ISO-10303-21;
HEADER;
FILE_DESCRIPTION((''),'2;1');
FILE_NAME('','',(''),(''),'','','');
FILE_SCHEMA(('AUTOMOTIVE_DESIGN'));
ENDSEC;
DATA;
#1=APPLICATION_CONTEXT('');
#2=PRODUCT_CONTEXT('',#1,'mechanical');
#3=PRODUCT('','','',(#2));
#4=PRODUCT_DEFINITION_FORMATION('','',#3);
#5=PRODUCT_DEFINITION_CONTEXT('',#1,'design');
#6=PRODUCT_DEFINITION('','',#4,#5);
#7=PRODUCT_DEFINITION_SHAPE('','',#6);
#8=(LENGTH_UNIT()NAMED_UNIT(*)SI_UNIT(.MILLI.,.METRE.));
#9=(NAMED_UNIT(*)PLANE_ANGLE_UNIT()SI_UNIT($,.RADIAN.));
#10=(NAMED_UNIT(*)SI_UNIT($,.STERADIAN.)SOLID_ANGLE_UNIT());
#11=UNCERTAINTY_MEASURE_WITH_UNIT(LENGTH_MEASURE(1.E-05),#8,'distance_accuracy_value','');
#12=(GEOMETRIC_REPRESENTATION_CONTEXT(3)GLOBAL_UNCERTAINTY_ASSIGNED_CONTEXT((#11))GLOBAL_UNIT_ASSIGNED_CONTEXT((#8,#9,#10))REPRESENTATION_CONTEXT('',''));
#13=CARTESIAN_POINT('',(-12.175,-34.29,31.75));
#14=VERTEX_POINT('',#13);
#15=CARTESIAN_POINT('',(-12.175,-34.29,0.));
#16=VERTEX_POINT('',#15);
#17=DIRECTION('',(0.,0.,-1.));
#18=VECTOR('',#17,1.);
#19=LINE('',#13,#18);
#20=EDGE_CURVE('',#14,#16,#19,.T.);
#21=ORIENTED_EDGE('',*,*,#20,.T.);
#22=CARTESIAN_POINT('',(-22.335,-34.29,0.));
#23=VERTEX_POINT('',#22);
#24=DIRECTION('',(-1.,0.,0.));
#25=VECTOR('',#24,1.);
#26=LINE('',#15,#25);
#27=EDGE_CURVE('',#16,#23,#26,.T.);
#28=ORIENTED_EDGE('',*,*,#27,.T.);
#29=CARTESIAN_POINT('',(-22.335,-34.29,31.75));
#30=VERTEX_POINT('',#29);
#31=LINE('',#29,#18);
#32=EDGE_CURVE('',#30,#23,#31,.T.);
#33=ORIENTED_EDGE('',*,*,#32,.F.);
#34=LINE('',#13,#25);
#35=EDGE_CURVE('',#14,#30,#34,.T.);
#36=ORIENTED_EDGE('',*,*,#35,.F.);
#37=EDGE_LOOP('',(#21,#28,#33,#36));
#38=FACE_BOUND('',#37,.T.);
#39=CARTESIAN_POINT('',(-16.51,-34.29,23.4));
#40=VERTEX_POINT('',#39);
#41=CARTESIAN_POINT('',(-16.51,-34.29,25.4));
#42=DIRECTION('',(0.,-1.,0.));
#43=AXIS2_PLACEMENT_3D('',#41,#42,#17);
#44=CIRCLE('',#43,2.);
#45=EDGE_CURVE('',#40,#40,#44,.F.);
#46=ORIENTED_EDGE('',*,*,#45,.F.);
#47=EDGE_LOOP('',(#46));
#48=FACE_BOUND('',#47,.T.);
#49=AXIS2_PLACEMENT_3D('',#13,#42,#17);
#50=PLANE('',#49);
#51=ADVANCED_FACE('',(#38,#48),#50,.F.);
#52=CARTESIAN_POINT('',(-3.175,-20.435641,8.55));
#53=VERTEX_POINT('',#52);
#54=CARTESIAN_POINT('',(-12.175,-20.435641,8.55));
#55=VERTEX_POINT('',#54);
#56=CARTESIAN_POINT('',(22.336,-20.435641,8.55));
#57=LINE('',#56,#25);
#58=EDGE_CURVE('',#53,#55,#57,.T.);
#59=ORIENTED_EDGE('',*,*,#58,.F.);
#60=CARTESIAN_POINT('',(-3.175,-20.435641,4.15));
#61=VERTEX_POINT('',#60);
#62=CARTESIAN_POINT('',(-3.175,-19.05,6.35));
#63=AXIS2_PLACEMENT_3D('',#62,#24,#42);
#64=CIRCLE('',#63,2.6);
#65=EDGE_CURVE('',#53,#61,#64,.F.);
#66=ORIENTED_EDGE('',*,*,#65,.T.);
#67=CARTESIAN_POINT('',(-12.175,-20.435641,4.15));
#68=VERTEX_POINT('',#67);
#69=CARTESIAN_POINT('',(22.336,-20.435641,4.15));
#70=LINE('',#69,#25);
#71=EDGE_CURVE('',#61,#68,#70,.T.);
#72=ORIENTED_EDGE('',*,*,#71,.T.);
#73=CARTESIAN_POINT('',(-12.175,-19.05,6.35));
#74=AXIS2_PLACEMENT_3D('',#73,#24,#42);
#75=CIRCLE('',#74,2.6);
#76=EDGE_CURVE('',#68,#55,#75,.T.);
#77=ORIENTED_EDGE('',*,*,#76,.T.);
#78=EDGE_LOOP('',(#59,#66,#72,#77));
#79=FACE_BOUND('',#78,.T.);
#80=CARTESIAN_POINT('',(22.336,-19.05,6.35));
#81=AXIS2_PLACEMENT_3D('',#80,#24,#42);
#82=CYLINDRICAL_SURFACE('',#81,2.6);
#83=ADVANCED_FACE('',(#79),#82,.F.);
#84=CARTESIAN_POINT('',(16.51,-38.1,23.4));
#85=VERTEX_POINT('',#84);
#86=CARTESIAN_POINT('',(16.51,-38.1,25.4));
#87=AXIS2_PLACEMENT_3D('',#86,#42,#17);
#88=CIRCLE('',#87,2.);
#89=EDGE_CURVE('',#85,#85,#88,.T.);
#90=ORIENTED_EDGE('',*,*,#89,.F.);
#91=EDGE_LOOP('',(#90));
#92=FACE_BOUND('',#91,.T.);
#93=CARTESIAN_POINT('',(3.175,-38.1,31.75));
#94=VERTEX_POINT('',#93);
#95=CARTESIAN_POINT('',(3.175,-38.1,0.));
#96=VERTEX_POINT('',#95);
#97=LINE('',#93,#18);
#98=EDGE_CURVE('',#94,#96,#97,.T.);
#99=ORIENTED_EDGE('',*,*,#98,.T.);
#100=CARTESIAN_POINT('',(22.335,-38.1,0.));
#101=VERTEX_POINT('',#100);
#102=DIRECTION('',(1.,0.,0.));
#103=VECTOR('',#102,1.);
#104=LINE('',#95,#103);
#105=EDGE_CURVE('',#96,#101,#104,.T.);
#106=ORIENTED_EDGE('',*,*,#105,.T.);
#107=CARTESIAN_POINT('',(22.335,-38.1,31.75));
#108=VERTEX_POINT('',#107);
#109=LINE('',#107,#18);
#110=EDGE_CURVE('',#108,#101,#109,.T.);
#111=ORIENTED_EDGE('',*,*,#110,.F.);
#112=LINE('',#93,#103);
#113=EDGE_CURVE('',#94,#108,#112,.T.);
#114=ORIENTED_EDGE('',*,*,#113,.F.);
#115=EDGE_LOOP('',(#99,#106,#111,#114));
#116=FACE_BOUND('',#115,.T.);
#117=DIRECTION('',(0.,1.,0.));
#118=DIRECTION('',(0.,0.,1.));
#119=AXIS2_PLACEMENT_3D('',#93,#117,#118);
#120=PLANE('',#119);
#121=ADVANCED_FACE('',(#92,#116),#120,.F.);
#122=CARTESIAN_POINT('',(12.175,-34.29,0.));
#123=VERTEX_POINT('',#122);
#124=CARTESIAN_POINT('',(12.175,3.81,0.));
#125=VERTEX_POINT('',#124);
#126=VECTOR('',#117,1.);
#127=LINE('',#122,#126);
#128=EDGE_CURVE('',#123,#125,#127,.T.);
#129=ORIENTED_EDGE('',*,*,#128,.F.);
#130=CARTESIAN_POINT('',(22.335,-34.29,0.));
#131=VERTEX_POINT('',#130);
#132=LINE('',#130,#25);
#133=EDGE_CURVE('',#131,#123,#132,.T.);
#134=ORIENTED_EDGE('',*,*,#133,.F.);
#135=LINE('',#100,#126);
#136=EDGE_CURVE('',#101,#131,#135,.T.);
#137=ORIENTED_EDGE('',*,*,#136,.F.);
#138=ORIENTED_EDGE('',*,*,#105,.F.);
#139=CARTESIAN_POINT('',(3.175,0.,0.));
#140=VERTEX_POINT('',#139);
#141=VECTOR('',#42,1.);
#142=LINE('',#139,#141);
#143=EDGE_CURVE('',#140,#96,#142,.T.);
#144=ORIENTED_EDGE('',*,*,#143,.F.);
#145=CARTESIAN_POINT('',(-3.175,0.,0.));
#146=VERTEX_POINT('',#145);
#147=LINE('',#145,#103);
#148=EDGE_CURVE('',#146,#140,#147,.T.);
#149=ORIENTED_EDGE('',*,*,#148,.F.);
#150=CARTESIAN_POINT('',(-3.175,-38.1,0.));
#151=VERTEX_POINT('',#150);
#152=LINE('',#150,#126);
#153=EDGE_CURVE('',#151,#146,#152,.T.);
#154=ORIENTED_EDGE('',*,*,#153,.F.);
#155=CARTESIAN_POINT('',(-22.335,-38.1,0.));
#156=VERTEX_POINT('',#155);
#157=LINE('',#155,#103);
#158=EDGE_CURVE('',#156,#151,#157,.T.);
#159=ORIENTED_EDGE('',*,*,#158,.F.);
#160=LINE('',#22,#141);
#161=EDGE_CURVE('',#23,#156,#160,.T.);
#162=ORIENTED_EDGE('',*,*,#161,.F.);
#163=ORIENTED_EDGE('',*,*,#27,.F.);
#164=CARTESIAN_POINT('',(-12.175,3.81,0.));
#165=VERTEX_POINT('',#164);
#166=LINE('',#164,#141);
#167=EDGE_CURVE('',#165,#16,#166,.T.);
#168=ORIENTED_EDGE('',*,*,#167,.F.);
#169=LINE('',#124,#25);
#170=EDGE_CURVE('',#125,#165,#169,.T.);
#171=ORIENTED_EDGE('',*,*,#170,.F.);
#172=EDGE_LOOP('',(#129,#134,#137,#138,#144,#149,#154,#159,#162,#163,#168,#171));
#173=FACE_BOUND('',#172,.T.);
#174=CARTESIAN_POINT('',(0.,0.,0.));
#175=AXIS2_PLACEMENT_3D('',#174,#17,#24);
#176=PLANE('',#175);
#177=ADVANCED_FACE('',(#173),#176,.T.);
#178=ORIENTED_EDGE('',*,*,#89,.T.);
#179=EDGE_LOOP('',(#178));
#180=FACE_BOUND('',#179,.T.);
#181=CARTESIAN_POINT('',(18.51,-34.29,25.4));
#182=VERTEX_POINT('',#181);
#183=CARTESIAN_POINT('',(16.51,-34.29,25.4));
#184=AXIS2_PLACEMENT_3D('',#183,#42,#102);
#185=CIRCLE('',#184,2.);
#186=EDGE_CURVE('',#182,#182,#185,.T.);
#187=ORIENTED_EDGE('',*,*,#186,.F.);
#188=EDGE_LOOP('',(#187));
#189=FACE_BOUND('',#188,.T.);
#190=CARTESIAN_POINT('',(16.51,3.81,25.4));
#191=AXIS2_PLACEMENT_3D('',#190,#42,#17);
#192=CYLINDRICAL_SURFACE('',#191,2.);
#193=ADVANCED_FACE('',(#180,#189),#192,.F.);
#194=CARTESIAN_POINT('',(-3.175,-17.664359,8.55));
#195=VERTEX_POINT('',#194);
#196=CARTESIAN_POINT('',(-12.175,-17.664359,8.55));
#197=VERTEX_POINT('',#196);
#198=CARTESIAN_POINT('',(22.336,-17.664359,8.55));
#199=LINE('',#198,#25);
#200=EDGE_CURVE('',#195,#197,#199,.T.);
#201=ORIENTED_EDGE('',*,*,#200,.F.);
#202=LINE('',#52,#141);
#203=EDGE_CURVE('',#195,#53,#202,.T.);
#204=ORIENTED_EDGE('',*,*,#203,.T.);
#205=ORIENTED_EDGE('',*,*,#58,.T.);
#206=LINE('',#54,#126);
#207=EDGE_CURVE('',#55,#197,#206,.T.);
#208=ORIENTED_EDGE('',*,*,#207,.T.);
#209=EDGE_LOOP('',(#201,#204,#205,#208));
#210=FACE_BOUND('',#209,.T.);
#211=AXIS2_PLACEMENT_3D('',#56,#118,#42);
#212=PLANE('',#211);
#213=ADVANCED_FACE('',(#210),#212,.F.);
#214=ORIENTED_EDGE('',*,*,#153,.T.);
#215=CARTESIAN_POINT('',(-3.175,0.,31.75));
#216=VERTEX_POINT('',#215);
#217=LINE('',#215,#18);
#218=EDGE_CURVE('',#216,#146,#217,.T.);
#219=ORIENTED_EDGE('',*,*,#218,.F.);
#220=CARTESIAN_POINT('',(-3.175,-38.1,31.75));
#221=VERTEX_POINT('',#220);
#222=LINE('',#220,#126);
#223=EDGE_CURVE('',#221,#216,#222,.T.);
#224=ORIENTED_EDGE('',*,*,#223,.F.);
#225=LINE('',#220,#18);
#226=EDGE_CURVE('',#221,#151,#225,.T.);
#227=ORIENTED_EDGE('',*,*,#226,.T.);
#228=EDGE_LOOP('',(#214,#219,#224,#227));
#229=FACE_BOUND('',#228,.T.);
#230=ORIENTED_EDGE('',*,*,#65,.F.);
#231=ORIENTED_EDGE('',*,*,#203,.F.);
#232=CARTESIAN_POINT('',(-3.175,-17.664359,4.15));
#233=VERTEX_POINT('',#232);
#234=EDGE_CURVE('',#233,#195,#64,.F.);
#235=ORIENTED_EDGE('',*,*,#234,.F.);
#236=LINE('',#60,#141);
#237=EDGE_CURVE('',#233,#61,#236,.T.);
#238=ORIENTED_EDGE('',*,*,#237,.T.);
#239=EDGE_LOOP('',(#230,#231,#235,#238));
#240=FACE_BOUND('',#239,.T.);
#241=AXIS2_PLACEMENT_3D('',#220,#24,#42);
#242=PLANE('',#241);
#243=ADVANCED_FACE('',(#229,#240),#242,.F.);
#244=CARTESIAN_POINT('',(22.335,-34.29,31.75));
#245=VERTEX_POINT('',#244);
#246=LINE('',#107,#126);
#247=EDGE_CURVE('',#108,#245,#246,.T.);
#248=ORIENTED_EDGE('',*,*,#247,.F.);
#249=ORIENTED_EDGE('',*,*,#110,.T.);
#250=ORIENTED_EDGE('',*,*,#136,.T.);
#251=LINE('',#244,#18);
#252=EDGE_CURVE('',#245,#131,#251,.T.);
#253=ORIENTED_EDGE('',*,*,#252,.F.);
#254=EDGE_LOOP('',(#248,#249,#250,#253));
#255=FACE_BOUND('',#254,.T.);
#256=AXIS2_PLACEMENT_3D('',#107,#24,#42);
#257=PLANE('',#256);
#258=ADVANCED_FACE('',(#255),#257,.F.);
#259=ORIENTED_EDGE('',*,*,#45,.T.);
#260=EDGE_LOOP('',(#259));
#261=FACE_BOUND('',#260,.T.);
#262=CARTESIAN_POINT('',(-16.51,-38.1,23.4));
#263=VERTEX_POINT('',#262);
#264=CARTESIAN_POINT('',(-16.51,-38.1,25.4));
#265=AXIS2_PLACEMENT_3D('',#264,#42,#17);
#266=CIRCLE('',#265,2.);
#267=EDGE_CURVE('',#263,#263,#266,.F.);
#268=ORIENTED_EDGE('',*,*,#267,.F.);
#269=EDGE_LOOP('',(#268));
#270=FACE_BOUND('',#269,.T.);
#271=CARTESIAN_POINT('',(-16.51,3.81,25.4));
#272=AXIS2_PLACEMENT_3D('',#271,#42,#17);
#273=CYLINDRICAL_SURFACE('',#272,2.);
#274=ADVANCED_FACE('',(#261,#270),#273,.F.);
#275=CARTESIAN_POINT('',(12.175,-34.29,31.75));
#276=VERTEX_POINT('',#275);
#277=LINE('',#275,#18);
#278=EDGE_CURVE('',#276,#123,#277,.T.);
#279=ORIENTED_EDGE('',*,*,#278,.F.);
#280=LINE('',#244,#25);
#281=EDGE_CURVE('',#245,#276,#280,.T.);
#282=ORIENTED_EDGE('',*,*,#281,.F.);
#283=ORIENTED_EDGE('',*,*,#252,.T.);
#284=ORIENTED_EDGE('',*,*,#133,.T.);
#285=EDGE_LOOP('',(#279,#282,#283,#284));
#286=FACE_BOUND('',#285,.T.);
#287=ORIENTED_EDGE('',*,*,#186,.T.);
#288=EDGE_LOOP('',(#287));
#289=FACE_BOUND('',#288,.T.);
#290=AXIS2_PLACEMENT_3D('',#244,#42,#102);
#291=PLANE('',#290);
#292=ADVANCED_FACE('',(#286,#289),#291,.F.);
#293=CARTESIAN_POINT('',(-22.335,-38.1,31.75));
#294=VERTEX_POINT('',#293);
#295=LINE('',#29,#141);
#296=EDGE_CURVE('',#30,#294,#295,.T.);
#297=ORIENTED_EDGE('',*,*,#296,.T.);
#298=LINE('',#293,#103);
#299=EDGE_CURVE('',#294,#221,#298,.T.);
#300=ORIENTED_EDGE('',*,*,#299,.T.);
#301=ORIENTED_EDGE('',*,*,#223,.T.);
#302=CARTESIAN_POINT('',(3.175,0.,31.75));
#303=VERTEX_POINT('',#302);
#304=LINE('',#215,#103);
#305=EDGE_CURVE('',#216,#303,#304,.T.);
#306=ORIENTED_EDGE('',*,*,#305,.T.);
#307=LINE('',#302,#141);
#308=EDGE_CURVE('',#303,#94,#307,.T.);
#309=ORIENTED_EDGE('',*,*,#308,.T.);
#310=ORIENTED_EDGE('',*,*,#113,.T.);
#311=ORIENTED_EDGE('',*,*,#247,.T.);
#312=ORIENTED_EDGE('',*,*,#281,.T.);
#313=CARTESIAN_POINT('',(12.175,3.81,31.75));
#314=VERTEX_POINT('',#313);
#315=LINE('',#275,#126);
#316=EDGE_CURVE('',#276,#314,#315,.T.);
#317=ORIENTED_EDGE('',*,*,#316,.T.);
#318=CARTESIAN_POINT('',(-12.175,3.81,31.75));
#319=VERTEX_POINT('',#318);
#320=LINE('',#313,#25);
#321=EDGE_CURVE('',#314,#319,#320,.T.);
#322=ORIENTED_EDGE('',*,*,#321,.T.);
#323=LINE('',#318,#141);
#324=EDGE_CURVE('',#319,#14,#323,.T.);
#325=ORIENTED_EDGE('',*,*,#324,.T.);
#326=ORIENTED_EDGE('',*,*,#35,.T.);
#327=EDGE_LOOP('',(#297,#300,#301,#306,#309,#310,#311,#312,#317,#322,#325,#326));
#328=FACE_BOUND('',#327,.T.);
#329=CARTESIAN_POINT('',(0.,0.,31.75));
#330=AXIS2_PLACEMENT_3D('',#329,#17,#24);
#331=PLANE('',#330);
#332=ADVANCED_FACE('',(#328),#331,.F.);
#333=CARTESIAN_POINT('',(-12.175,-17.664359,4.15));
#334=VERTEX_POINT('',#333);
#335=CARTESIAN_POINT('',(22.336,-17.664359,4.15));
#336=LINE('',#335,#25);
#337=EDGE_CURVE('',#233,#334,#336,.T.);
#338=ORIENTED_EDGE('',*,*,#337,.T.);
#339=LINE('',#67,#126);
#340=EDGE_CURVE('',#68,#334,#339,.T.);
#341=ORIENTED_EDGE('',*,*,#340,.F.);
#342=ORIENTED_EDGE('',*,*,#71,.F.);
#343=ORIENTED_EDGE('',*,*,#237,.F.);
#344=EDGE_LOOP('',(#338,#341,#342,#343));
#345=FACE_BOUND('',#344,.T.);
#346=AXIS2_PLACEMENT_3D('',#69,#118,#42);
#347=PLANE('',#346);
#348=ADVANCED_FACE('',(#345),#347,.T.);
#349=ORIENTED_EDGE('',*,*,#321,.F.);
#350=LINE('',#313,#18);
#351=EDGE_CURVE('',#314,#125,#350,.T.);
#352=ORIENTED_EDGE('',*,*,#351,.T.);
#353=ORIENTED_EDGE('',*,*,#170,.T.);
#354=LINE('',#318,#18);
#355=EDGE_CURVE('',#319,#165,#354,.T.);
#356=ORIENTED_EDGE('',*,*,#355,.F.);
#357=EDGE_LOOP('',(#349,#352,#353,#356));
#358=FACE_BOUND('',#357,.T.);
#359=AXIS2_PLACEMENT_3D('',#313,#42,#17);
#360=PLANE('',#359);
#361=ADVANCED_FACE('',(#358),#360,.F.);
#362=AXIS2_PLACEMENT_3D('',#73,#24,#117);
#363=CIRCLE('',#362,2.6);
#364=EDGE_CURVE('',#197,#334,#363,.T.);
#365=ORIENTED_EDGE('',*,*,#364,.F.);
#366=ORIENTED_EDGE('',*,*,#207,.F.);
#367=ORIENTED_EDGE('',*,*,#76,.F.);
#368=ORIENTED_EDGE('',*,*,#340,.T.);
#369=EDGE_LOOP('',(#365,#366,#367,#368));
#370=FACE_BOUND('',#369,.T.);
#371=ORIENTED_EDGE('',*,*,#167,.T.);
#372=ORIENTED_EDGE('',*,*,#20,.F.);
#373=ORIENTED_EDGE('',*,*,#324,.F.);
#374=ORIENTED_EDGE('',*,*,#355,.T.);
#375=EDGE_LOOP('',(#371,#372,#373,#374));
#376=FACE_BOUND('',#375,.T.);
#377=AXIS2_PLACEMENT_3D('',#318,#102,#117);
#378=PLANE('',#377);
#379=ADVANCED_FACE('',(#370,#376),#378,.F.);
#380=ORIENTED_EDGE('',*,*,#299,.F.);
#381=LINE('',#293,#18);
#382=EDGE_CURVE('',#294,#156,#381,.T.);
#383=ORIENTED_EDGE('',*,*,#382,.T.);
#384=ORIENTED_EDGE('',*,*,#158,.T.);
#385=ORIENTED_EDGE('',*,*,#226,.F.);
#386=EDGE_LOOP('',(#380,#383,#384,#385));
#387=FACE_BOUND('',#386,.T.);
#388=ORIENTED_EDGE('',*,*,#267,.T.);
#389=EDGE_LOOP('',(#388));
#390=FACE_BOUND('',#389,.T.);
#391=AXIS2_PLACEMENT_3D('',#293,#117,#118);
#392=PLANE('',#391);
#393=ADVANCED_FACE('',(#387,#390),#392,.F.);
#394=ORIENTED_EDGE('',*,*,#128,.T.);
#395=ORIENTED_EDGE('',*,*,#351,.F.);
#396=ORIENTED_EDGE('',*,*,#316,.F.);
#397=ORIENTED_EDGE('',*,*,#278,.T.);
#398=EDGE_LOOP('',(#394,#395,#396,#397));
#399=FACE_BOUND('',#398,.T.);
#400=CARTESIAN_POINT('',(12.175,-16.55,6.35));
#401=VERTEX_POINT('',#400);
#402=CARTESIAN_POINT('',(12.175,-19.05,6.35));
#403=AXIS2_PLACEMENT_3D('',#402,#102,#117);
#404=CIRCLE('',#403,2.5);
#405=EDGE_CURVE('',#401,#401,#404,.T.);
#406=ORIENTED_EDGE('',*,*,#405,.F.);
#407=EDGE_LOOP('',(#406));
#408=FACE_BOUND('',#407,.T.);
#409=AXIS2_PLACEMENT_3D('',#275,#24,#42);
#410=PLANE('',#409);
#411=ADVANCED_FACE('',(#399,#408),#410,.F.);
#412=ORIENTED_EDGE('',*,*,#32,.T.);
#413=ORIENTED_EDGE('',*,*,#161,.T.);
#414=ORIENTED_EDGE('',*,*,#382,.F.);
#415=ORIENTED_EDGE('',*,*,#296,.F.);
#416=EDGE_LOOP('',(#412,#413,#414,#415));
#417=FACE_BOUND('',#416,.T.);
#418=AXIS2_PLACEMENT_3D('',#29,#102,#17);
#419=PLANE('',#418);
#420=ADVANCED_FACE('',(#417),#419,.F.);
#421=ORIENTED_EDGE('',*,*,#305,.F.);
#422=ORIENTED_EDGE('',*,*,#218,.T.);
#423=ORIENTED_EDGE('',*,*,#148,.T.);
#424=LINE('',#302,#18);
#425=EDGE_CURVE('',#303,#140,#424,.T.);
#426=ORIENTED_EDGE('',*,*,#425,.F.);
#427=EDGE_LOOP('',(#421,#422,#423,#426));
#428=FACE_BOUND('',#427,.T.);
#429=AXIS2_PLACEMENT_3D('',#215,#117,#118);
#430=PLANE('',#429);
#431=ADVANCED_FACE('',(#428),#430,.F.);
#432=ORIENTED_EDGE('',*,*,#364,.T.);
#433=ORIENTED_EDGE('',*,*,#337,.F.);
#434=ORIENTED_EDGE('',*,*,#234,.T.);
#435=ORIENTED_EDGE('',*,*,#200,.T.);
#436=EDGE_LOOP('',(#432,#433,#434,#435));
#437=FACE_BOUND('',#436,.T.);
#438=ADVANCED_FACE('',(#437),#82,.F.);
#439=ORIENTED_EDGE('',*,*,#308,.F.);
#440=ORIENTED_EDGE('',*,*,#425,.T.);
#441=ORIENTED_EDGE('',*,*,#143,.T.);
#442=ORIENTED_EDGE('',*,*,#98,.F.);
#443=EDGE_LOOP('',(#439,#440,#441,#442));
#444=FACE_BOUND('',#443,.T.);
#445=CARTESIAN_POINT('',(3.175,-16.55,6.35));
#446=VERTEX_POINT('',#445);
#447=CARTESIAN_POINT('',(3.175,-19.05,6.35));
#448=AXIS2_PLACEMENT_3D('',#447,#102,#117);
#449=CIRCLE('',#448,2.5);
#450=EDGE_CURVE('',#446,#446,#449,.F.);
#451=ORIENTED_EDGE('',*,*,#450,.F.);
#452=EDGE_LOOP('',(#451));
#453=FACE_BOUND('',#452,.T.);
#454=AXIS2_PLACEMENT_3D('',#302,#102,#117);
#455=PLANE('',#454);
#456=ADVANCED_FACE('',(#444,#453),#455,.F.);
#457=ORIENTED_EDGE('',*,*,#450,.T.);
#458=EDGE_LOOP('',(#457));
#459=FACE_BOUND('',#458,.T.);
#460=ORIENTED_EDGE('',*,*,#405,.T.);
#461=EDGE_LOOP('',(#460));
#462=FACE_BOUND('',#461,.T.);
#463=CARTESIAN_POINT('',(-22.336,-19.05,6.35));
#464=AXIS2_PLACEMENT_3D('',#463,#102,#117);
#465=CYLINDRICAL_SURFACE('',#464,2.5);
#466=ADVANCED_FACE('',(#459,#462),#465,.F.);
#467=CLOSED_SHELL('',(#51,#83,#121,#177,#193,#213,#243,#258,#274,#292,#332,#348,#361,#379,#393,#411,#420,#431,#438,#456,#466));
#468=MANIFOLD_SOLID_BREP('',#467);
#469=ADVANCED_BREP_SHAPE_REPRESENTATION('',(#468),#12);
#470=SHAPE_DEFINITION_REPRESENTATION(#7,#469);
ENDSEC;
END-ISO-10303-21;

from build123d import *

# Parameters (mm, degrees)
BOSS_EXTRUDE1_DEPTH = 31.75
SKETCH2_R           = 2
CUT_EXTRUDE1_DEPTH  = 58.12585076
CUT_EXTRUDE2_REACH  = 62.42
SKETCH3_W           = 4.4
SKETCH3_H           = 2.771281292
CUT_EXTRUDE3_START  = -9
CUT_EXTRUDE3_DEPTH  = 9
CUT_EXTRUDE4_REACH  = 62.42
SKETCH5_R           = 2.5


with BuildPart() as part:
    # Sketch1 → Boss-Extrude1 (new body)
    with BuildSketch(Plane.XY):
        Polygon((-3.175, 0), (3.175, 0), (3.175, -38.1), (22.335, -38.1), (22.335, -34.29), (12.175, -34.29), (12.175, 3.81), (-12.175, 3.81), (-12.175, -34.29), (-22.335, -34.29), (-22.335, -38.1), (-3.175, -38.1), align=None)
    extrude(amount=BOSS_EXTRUDE1_DEPTH)

    # Sketch2 → Cut-Extrude1 (cut, through all)
    with BuildSketch(Plane.XZ.offset(38.1)):
        with Locations(Location((-16.51, 25.4, 0), (0, 0, 270))):
            Circle(SKETCH2_R)
        with Locations(Location((16.51, 25.4, 0), (0, 0, 270))):
            Circle(SKETCH2_R)
    extrude(amount=-CUT_EXTRUDE1_DEPTH, mode=Mode.SUBTRACT)

    # Sketch3 → Cut-Extrude2 (cut, up to next)
    with BuildSketch(Plane.ZY.offset(12.175), mode=Mode.PRIVATE) as cut_extrude2_sk1:
        with Locations((6.35, -19.05)):
            Rectangle(SKETCH3_W, SKETCH3_H)
    cut_extrude2_tool1 = extrude(cut_extrude2_sk1.sketch, amount=-CUT_EXTRUDE2_REACH, mode=Mode.PRIVATE) & part.part
    add(cut_extrude2_tool1.solids().sort_by_distance((-12.175, -19.05, 6.35))[0], mode=Mode.SUBTRACT)

    # Sketch4 → Cut-Extrude3 (cut)
    with BuildSketch(Plane.ZY.offset(12.175).offset(CUT_EXTRUDE3_START)):
        with BuildLine():
            Line((4.15, -20.435640646), (4.15, -17.664359354))
            ThreePointArc((4.15, -17.664359354), (6.35, -16.45), (8.55, -17.664359354))
            Line((8.55, -17.664359354), (8.55, -20.435640646))
            ThreePointArc((8.55, -20.435640646), (6.35, -21.65), (4.15, -20.435640646))
        make_face()
    extrude(amount=CUT_EXTRUDE3_DEPTH, mode=Mode.SUBTRACT)

    # Sketch5 → Cut-Extrude4 (cut, up to next)
    with BuildSketch(Plane(origin=(12.175, 0, 0), x_dir=(0, 0, -1), z_dir=(1, 0, 0)), mode=Mode.PRIVATE) as cut_extrude4_sk1:
        with Locations(Location((-6.35, -19.05, 0), (0, 0, 90))):
            Circle(SKETCH5_R)
    cut_extrude4_tool1 = extrude(cut_extrude4_sk1.sketch, amount=-CUT_EXTRUDE4_REACH, mode=Mode.PRIVATE) & part.part
    add(cut_extrude4_tool1.solids().sort_by_distance((12.175, -19.05, 6.35))[0], mode=Mode.SUBTRACT)


solid = part.part
